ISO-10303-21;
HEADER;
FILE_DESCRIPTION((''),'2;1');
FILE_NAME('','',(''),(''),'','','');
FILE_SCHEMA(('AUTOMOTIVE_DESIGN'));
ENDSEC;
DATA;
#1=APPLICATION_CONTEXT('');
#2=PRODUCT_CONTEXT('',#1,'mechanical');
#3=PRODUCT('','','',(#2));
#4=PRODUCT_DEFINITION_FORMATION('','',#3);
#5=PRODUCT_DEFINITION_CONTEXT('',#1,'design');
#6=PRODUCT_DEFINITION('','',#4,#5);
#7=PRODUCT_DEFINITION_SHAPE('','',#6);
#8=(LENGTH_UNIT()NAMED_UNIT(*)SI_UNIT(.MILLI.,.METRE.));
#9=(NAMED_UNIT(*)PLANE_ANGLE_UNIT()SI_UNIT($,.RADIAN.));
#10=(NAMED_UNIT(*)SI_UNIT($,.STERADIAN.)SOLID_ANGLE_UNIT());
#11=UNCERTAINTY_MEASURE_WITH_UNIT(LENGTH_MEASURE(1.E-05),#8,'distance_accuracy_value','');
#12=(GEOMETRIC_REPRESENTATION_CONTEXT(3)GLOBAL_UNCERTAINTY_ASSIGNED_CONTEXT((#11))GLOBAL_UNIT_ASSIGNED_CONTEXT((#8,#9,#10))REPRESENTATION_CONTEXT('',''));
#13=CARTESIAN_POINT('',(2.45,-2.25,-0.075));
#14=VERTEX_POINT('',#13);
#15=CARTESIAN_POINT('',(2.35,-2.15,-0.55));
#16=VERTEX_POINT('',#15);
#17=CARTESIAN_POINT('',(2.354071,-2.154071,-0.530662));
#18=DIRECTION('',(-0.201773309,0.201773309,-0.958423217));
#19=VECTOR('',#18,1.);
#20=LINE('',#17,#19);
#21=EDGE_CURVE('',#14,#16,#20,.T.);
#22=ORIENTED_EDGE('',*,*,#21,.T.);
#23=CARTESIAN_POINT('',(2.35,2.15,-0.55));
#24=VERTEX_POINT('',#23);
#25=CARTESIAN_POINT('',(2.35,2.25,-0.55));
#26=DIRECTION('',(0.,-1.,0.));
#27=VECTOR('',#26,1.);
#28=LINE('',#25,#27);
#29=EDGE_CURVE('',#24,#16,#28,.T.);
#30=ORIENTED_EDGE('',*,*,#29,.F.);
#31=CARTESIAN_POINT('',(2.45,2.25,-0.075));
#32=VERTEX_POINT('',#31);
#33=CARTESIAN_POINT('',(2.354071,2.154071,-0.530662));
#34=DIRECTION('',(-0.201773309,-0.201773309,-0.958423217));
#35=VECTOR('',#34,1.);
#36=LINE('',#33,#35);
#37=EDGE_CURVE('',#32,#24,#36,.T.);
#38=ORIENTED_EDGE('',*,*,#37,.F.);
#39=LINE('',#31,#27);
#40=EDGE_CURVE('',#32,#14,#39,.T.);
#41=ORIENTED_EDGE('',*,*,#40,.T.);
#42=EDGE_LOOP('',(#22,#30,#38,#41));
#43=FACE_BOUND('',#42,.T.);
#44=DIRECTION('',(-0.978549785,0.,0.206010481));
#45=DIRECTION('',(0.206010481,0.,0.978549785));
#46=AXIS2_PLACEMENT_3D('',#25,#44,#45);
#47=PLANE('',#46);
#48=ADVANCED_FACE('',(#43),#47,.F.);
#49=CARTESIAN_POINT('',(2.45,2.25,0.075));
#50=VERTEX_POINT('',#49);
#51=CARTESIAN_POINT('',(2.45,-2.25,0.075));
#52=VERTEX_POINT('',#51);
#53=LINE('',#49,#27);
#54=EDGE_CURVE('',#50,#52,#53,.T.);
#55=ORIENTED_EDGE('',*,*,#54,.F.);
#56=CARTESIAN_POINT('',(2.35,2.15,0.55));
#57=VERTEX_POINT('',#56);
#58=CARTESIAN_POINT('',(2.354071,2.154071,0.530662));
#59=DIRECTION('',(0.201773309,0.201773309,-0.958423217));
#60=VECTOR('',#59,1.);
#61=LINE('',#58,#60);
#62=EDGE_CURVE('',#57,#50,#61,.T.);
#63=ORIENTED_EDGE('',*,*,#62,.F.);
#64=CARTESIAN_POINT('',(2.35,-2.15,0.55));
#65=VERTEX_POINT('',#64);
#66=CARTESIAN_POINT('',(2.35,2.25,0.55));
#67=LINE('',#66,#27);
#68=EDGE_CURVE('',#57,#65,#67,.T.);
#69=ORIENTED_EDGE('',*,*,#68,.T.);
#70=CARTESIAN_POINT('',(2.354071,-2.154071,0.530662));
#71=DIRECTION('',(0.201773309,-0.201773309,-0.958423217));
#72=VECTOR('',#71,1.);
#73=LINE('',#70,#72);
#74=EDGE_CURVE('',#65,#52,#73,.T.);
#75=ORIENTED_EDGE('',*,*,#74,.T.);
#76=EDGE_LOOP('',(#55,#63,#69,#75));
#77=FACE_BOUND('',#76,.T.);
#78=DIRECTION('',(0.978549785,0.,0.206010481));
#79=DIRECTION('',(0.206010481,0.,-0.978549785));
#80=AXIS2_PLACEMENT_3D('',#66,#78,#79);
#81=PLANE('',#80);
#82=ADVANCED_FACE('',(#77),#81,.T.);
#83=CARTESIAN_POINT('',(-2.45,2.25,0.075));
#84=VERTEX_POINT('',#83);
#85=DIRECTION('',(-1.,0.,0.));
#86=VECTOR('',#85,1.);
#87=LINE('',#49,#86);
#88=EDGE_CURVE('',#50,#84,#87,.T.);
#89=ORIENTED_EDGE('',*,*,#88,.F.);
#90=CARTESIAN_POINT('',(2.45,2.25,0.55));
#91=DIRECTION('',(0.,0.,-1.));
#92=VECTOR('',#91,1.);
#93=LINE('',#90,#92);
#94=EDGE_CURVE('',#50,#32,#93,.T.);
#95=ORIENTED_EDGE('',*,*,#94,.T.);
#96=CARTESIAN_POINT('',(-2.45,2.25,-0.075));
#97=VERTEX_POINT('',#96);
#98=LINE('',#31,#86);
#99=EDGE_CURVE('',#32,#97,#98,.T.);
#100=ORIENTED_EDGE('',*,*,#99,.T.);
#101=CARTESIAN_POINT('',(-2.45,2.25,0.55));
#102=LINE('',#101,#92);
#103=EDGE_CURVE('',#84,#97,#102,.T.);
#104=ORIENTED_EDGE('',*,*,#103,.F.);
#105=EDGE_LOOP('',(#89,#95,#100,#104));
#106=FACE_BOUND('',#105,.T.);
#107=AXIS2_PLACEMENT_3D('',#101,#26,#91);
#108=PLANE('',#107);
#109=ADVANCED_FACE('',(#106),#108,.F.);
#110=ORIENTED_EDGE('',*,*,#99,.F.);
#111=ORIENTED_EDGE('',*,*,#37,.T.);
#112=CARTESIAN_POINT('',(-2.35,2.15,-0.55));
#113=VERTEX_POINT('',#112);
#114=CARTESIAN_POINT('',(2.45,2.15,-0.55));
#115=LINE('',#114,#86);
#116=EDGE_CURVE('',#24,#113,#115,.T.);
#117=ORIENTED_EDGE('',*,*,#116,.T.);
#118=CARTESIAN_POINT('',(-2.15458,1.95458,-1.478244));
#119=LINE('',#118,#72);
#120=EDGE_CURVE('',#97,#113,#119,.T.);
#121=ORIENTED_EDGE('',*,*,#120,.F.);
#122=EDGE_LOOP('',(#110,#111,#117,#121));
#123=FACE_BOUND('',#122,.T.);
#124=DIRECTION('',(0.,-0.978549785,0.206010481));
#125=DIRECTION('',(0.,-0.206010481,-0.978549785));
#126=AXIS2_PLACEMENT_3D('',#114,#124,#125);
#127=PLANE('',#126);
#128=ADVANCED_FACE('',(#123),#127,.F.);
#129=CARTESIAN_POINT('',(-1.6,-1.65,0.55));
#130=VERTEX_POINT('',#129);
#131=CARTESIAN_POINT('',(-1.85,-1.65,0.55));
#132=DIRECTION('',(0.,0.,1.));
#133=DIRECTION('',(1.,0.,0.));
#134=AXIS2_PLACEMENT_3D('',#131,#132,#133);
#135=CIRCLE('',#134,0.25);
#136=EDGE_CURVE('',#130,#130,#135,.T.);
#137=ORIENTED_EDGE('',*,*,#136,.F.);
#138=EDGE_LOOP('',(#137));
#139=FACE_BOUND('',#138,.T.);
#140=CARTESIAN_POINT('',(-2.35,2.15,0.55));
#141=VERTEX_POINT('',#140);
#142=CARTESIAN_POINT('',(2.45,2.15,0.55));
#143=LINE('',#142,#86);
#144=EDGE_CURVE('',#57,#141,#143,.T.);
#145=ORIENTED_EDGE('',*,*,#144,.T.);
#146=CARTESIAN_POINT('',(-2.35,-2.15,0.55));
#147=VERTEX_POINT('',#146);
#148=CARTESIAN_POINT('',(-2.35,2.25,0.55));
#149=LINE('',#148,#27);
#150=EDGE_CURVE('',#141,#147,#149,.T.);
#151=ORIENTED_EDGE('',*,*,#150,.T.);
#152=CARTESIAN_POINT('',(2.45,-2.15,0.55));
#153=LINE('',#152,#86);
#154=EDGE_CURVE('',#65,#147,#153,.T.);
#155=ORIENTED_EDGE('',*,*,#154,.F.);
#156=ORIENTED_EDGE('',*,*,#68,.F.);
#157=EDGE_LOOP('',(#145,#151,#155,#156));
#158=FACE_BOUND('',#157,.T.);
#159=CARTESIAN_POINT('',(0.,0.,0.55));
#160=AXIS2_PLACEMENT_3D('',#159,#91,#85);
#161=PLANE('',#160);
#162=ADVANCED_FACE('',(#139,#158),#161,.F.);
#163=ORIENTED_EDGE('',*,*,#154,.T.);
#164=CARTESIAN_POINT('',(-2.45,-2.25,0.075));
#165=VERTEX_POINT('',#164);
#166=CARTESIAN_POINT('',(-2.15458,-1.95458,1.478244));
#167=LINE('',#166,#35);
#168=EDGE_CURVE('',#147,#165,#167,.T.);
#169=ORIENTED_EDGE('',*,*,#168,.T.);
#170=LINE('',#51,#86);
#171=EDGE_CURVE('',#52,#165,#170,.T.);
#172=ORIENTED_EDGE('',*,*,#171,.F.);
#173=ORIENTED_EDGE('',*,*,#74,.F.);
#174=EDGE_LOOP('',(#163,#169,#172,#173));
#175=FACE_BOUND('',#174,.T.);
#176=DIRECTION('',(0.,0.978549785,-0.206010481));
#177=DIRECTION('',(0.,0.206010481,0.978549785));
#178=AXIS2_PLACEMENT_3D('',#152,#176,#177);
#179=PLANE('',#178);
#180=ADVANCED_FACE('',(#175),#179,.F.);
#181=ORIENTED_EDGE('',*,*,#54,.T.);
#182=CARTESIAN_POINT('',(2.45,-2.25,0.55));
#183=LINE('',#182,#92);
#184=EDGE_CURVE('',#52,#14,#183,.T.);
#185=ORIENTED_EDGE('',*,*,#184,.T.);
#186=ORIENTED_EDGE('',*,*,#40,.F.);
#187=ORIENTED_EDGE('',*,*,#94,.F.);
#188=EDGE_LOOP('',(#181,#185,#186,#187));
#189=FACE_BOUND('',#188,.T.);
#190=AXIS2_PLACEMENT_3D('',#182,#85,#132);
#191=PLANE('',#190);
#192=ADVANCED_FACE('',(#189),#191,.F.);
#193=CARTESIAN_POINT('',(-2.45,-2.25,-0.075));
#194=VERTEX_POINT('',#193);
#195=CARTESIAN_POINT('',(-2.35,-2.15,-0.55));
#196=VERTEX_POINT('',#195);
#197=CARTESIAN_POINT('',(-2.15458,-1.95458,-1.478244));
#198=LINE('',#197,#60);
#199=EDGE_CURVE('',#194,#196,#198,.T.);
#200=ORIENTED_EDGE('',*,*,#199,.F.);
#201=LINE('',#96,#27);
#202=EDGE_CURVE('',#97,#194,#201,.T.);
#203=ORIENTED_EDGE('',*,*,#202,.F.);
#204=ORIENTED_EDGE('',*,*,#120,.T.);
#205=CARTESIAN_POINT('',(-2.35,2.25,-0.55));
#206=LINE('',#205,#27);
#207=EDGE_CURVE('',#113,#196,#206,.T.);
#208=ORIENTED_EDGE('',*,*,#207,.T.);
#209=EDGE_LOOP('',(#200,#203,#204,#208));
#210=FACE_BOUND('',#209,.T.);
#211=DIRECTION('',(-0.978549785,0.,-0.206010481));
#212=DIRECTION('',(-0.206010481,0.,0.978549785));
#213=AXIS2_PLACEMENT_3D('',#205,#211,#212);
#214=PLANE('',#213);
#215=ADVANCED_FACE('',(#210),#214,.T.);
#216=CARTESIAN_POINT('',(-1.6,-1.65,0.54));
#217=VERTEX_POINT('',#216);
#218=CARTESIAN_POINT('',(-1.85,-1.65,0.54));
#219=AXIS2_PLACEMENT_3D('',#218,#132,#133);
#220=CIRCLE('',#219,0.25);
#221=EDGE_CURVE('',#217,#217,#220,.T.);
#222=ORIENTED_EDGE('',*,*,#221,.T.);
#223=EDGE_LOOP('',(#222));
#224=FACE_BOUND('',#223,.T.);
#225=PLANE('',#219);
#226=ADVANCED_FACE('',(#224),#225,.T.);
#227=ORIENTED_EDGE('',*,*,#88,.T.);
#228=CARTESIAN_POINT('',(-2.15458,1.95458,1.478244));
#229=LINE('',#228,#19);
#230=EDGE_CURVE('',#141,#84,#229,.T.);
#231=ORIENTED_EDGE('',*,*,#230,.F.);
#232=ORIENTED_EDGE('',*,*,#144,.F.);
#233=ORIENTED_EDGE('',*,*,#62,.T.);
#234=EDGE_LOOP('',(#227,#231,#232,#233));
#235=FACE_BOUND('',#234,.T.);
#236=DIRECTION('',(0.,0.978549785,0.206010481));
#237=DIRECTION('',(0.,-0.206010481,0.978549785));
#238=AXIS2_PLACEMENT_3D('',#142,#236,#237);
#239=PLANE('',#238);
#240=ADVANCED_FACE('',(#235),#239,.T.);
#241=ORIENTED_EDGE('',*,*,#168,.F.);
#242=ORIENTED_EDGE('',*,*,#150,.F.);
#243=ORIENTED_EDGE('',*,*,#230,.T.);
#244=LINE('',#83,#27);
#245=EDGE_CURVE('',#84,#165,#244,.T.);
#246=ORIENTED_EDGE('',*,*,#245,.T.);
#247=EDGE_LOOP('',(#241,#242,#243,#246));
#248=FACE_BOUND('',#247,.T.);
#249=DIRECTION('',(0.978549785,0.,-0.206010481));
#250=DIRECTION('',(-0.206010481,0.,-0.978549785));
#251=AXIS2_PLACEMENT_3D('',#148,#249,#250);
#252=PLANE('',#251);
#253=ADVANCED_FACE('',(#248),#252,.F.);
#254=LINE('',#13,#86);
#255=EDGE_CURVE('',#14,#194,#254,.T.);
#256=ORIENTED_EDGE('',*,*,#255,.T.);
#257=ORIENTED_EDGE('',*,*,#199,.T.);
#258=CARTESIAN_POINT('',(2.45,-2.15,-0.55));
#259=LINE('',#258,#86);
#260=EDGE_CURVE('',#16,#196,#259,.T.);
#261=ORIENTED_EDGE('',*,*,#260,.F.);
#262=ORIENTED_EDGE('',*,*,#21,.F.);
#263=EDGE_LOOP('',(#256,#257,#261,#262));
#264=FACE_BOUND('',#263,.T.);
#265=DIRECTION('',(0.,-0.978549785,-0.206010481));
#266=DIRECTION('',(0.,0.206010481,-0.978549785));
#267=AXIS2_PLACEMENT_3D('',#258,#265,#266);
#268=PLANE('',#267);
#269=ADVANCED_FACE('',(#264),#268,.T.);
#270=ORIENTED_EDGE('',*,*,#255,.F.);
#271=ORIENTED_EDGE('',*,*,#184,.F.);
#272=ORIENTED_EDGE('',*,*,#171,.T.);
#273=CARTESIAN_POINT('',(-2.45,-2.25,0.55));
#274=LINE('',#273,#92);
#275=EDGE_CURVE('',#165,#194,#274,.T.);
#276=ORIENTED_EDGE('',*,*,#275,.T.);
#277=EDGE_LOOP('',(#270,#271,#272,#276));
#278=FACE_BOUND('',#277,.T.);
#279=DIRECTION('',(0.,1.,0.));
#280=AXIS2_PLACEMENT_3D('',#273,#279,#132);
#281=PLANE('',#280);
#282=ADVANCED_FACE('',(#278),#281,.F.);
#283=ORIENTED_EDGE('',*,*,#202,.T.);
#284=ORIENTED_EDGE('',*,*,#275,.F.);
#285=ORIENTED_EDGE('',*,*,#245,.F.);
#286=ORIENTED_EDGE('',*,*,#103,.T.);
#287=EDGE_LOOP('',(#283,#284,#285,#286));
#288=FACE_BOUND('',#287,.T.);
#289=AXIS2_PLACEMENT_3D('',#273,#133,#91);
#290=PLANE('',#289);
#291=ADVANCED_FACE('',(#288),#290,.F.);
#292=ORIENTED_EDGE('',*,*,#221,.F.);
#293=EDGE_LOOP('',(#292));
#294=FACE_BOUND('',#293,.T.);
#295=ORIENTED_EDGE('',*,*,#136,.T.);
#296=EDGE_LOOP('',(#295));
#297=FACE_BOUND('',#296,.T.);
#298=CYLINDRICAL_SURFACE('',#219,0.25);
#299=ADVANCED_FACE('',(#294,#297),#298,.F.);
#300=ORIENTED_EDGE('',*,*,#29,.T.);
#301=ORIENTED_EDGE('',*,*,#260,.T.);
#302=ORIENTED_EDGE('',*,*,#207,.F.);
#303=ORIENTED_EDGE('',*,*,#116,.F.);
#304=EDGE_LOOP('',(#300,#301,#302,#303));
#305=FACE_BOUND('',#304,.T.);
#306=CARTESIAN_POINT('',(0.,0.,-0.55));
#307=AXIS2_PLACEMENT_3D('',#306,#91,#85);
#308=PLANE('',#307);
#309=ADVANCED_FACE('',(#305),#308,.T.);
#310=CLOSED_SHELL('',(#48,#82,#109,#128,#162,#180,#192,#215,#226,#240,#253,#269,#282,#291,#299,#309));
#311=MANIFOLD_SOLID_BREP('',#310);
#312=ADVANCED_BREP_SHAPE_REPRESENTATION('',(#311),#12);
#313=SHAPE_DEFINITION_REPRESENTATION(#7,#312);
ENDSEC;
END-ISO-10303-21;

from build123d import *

# Parameters (mm, degrees)
SKETCH1_W            = 4.9
SKETCH1_H            = 4.5
BOSS_EXTRUDE1_DEPTH  = 0.55
CUT_EXTRUDE1_DEPTH   = 5.9
MIRROR2_COPY_1_DEPTH = 5.9
CUT_EXTRUDE2_DEPTH   = 5.5
MIRROR4_COPY_1_DEPTH = 5.5
SKETCH4_R            = 0.25
CUT_EXTRUDE3_DEPTH   = 0.01


with BuildPart() as part:
    # Sketch1 → Boss-Extrude1 (new body, symmetric)
    with BuildSketch(Plane.XY):
        Rectangle(SKETCH1_W, SKETCH1_H)
    extrude(amount=BOSS_EXTRUDE1_DEPTH, both=True)

    # Sketch2 → Cut-Extrude1 (cut, through all)
    with BuildSketch(Plane.ZY.offset(2.45)):
        Polygon((0.55, -2.15), (0.075, -2.25), (0.55, -2.25), align=None)
    cut_extrude1 = extrude(amount=-CUT_EXTRUDE1_DEPTH, mode=Mode.SUBTRACT)

    # Mirror1: Cut-Extrude1 across plane
    add(cut_extrude1.mirror(Plane.ZX), mode=Mode.SUBTRACT)

    # Mirror2: Cut-Extrude1 across plane
    add(cut_extrude1.mirror(Plane.XY), mode=Mode.SUBTRACT)

    # Mirror2 copy 1 sketch → Mirror2 copy 1 (cut, through all)
    with BuildSketch(Plane(origin=(-2.45, 0, 0), x_dir=(0, 0, -1), z_dir=(-1, 0, 0))):
        Polygon((0.55, -2.15), (0.075, -2.25), (0.55, -2.25), align=None)
    extrude(amount=-MIRROR2_COPY_1_DEPTH, mode=Mode.SUBTRACT)

    # Sketch3 → Cut-Extrude2 (cut, through all)
    with BuildSketch(Plane.XZ.offset(2.25)):
        Polygon((-2.45, 0.55), (-2.35, 0.55), (-2.45, 0.075), align=None)
    cut_extrude2 = extrude(amount=-CUT_EXTRUDE2_DEPTH, mode=Mode.SUBTRACT)

    # Mirror3: Cut-Extrude2 across plane
    add(cut_extrude2.mirror(Plane(origin=(0, 0, 0), x_dir=(0, 0, 1), z_dir=(1, 0, 0))), mode=Mode.SUBTRACT)

    # Mirror4: Cut-Extrude2 across plane
    add(cut_extrude2.mirror(Plane.XY), mode=Mode.SUBTRACT)

    # Mirror4 copy 1 sketch → Mirror4 copy 1 (cut, through all)
    with BuildSketch(Plane(origin=(0, -2.25, 0), x_dir=(-1, 0, 0), z_dir=(0, -1, 0))):
        Polygon((-2.45, 0.55), (-2.35, 0.55), (-2.45, 0.075), align=None)
    extrude(amount=-MIRROR4_COPY_1_DEPTH, mode=Mode.SUBTRACT)

    # Sketch4 → Cut-Extrude3 (cut)
    with BuildSketch(Plane.XY.offset(0.55)):
        with Locations((-1.85, -1.65)):
            Circle(SKETCH4_R)
    extrude(amount=-CUT_EXTRUDE3_DEPTH, mode=Mode.SUBTRACT)


solid = part.part
